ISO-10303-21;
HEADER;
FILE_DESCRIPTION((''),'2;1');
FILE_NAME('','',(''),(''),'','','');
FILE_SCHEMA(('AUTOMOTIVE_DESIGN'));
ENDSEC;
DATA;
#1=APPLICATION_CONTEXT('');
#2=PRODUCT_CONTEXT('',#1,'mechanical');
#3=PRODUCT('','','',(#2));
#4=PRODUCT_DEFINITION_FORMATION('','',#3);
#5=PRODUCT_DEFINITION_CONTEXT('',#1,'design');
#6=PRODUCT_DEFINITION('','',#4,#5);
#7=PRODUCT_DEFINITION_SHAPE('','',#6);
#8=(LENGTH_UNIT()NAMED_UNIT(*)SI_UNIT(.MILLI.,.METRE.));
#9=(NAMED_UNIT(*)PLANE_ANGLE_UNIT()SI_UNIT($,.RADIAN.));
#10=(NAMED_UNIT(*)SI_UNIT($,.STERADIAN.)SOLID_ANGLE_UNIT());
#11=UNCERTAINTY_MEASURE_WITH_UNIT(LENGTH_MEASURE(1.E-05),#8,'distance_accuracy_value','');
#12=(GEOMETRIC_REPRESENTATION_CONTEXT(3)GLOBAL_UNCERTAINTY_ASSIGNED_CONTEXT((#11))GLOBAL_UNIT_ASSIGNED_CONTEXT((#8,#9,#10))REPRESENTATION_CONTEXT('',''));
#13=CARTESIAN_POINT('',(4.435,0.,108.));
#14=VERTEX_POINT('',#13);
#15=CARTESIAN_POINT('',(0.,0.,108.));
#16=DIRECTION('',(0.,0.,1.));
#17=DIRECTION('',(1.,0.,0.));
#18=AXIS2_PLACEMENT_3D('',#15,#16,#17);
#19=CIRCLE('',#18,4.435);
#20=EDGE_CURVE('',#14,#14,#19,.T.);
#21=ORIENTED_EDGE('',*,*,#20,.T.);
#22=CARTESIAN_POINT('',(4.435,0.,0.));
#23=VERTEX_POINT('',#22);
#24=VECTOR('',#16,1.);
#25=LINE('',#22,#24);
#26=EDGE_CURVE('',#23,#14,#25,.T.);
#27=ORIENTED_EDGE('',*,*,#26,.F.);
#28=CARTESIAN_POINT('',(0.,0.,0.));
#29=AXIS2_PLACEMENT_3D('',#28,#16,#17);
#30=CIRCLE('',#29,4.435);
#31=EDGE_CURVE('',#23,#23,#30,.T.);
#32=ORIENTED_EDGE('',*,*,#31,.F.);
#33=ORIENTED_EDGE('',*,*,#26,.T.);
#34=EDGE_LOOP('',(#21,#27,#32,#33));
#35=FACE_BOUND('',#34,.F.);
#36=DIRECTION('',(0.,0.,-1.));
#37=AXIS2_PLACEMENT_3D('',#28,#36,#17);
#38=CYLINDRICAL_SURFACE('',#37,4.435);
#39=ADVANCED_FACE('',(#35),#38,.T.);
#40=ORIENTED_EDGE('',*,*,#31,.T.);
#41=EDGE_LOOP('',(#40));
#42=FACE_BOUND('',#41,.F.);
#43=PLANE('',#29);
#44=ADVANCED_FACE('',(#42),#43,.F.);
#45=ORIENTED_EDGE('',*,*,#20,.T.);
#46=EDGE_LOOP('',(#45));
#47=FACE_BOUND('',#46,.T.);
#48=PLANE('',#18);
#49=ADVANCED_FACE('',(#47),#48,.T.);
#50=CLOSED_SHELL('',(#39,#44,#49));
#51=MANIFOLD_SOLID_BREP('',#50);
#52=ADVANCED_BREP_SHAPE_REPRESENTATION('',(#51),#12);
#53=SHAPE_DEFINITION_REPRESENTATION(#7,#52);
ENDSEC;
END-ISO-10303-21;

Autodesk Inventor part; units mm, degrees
ref_plane "YZ Plane" through (0, 0, 0) normal (1, 0, 0) x (0, 1, 0)
ref_plane "XZ Plane" through (0, 0, 0) normal (0, 1, 0) x (-1, 0, 0)
ref_plane "XY Plane" through (0, 0, 0) normal (0, 0, 1) x (1, 0, 0)
sketch "Sketch1" plane through (0, 0, 0) normal (0, 0, 1) x (1, 0, 0)
  circle A0 centre (0, 0) radius 4.435
  dimension "d0" = 8.87
extrude "Extrusion1" add sketch "Sketch1" along normal blind 108
thread "Thread1" size "M9x1.25" class "6g" standard "ANSI Metric M Profile" full length
properties part number "EEThreadedRod"
